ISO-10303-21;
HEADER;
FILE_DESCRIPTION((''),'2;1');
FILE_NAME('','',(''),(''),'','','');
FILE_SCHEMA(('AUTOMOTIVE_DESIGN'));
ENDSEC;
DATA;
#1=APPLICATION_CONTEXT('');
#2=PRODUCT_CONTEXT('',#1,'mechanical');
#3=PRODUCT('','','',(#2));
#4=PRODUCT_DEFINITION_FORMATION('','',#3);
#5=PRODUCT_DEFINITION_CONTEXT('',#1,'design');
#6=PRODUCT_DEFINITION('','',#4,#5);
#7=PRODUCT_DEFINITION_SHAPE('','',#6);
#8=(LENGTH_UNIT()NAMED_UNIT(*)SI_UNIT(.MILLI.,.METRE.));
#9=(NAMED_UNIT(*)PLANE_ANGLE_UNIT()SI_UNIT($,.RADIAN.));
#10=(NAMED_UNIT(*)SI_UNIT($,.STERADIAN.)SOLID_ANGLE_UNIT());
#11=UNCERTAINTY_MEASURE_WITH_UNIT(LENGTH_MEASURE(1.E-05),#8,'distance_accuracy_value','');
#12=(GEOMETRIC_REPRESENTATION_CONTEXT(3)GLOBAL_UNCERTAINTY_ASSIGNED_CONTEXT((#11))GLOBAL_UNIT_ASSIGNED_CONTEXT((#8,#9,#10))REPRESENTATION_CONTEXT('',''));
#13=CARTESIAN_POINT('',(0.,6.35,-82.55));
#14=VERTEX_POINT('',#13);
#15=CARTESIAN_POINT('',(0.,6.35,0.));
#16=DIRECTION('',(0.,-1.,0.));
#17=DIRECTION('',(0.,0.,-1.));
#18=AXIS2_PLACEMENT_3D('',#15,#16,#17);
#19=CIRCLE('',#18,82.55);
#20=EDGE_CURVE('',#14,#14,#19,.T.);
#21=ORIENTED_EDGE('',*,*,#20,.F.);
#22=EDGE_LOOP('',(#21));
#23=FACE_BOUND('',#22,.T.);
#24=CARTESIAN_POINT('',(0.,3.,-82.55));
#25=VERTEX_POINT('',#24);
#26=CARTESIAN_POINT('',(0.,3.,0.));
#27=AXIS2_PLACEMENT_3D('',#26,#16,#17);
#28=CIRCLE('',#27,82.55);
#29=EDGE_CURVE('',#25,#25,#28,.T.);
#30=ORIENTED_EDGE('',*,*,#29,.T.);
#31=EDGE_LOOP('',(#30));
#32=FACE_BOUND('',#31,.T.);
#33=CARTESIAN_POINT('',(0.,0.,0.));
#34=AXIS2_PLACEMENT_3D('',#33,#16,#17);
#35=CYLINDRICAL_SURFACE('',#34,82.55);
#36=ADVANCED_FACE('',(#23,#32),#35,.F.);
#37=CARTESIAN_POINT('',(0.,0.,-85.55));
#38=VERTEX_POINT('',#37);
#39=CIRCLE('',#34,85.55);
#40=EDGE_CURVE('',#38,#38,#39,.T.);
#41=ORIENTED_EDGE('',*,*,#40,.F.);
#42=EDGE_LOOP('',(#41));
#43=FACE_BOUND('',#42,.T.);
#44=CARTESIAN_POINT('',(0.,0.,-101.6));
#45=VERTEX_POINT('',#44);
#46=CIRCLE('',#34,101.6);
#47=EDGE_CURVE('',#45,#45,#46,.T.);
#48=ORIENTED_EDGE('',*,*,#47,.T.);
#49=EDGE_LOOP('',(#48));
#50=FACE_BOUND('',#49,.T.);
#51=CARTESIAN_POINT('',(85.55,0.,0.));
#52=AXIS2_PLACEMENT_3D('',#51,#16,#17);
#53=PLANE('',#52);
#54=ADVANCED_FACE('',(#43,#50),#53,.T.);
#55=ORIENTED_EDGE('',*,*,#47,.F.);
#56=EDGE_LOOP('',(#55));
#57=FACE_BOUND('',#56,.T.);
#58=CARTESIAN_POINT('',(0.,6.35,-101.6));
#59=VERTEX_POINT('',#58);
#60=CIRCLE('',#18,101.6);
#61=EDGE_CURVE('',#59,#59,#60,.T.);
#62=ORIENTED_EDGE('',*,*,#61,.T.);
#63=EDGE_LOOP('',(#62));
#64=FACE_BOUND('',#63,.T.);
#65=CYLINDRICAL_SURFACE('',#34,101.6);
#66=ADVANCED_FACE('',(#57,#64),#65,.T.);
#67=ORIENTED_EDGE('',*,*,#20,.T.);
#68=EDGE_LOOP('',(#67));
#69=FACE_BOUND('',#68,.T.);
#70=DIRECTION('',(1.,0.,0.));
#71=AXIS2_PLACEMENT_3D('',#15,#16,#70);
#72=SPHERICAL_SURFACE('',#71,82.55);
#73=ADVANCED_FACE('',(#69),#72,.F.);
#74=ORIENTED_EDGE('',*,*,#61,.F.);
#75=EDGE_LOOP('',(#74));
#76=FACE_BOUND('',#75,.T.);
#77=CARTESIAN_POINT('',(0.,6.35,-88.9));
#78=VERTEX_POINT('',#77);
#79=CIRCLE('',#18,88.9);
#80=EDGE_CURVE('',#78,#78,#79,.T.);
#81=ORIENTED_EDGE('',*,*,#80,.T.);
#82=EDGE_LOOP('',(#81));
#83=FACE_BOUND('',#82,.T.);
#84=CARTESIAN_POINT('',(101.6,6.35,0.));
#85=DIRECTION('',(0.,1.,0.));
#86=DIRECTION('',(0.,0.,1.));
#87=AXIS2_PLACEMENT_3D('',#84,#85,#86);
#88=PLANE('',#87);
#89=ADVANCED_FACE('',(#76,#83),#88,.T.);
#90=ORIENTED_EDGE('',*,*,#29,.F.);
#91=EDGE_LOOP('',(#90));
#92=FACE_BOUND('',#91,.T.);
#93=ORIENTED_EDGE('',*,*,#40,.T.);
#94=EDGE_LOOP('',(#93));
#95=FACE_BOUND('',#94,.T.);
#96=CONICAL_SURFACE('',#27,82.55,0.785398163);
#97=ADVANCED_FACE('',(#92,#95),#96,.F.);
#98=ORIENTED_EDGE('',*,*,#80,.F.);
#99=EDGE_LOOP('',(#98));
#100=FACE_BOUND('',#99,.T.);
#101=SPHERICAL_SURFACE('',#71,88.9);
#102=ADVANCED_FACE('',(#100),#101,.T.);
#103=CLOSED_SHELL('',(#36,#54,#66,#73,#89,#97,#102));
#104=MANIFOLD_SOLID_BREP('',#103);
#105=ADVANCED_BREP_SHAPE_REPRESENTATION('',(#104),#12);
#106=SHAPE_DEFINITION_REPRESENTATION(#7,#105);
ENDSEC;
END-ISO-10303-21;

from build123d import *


with BuildPart() as part:
    # Sketch1 → Revolve1 (revolve)
    with BuildSketch(Plane.XY, mode=Mode.PRIVATE) as revolve1_sk:
        with BuildLine():
            Line((85.55, 0), (101.6, 0))
            Line((101.6, 0), (101.6, 6.35))
            Line((101.6, 6.35), (88.9, 6.35))
            ThreePointArc((88.9, 6.35), (62.861792847, 69.211792847), (0, 95.25))
            Line((0, 95.25), (0, 88.9))
            ThreePointArc((0, 88.9), (58.371664787, 64.721664787), (82.55, 6.35))
            Line((82.55, 6.35), (82.55, 3))
            Line((82.55, 3), (85.55, 0))
        make_face()
    revolve(revolve1_sk.sketch.rotate(Axis((0, 0, 0), (0, 1, 0)), 90), axis=Axis((0, 0, 0), (0, 1, 0)))


solid = part.part
